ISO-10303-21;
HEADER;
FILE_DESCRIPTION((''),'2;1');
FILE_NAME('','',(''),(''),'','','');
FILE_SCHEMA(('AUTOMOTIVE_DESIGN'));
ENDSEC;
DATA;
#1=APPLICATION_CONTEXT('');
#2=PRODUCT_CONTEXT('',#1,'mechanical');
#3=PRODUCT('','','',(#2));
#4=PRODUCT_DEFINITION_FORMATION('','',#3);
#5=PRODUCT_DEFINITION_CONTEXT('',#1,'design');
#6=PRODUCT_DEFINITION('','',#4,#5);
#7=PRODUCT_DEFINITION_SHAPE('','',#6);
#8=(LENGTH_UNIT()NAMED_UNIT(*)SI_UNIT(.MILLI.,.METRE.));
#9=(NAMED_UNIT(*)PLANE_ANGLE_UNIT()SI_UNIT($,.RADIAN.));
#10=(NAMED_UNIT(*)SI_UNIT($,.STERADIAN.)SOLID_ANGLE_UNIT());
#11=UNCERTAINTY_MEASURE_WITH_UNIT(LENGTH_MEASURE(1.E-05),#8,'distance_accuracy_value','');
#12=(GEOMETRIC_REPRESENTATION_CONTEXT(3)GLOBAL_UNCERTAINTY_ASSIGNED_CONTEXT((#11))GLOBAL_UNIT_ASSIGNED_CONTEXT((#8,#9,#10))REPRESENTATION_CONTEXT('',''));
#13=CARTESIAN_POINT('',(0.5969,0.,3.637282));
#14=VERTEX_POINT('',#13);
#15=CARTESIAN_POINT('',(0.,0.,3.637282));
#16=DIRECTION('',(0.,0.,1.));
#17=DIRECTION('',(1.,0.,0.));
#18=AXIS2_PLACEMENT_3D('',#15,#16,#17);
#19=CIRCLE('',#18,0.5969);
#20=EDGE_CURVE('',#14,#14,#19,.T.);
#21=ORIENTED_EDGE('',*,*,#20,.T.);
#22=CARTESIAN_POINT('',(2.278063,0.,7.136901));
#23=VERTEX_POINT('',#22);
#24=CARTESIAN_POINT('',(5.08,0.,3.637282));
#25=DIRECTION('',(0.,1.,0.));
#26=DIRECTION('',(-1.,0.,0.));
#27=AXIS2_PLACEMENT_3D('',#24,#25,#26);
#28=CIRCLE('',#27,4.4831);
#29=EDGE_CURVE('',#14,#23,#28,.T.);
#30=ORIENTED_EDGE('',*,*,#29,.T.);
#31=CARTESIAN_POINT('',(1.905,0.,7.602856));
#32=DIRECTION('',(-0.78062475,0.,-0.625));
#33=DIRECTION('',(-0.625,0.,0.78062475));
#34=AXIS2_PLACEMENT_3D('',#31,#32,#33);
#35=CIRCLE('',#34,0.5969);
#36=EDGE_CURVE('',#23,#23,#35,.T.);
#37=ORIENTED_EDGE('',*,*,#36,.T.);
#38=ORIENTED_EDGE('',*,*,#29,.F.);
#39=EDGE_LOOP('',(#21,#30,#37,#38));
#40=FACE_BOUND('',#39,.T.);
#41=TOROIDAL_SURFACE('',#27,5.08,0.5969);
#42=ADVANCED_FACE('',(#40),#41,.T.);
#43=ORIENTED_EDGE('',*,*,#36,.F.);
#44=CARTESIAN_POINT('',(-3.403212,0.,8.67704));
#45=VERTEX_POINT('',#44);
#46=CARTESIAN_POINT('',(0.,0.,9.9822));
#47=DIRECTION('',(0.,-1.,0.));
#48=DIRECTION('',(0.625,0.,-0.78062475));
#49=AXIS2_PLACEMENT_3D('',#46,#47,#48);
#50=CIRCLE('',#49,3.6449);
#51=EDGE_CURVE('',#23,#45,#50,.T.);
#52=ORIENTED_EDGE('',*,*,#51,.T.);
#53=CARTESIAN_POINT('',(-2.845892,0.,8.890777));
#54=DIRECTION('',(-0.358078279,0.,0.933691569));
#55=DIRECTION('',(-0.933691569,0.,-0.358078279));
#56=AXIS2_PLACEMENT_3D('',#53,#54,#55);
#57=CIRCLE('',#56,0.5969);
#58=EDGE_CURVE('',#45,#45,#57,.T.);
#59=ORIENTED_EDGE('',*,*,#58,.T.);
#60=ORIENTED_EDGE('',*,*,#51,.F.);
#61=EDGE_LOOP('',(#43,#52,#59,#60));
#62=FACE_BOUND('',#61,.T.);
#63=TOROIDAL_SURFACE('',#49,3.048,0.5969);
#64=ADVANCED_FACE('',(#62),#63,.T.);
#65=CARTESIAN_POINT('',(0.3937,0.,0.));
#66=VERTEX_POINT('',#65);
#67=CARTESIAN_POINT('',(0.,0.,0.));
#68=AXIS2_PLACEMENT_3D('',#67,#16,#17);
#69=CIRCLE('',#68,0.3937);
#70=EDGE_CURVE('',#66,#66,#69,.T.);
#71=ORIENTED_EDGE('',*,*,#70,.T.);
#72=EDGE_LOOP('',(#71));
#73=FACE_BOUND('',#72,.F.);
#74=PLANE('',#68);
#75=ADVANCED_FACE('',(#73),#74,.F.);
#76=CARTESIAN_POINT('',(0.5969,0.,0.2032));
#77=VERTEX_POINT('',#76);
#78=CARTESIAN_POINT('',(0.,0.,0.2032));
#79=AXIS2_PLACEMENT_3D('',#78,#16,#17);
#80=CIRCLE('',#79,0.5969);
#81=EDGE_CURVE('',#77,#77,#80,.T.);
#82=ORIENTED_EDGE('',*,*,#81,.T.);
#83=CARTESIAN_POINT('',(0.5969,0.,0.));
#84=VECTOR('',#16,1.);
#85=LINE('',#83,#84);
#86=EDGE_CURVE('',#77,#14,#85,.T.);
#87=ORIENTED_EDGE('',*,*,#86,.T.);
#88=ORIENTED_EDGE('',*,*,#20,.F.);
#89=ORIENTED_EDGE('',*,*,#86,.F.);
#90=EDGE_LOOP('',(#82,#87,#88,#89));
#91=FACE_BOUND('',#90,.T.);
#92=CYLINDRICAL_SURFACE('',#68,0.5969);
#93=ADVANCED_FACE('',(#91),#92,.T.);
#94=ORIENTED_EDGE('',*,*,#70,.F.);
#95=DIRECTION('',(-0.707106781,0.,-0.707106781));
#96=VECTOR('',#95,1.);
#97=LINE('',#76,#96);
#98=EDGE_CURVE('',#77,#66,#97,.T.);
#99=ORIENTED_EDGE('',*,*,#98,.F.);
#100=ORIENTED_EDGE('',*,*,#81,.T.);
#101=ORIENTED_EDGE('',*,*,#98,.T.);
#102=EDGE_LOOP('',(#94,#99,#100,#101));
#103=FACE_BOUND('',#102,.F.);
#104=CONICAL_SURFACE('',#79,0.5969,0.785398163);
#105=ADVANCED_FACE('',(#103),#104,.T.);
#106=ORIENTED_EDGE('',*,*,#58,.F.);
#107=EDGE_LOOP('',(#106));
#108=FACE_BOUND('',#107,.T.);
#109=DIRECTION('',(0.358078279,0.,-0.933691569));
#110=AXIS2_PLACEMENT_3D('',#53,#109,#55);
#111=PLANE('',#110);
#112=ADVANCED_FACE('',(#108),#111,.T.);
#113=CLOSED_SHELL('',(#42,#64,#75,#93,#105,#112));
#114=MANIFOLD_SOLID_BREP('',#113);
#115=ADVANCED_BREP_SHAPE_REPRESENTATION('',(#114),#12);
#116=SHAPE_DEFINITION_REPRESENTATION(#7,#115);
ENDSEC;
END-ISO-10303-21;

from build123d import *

# Parameters (mm, degrees)
F1_R    = 0.5969
F3_SIZE = 0.2032


with BuildPart() as f2:
    # F2: sweep along a path in F0
    with BuildLine(Plane.XZ) as f2_path:
        Line((0, 0), (0, 3.6372820336))
        ThreePointArc((0, 3.6372820336), (0.5009498802, 5.8369865592), (1.905, 7.6028557626))
        ThreePointArc((1.905, 7.6028557626), (0.7974991737, 12.9240190067), (-2.8458919022, 8.8907774049))
    # F1 (on Top) → F2 (sweep)
    with BuildSketch(Plane.XY):
        Circle(F1_R)
    sweep(path=f2_path.line)

    # F3
    f3_edges = [f2.edges().sort_by_distance(p)[0] for p in [
        (-0.5969, 0, 0),
    ]]
    chamfer(f3_edges, length=F3_SIZE)


solid = f2.part
